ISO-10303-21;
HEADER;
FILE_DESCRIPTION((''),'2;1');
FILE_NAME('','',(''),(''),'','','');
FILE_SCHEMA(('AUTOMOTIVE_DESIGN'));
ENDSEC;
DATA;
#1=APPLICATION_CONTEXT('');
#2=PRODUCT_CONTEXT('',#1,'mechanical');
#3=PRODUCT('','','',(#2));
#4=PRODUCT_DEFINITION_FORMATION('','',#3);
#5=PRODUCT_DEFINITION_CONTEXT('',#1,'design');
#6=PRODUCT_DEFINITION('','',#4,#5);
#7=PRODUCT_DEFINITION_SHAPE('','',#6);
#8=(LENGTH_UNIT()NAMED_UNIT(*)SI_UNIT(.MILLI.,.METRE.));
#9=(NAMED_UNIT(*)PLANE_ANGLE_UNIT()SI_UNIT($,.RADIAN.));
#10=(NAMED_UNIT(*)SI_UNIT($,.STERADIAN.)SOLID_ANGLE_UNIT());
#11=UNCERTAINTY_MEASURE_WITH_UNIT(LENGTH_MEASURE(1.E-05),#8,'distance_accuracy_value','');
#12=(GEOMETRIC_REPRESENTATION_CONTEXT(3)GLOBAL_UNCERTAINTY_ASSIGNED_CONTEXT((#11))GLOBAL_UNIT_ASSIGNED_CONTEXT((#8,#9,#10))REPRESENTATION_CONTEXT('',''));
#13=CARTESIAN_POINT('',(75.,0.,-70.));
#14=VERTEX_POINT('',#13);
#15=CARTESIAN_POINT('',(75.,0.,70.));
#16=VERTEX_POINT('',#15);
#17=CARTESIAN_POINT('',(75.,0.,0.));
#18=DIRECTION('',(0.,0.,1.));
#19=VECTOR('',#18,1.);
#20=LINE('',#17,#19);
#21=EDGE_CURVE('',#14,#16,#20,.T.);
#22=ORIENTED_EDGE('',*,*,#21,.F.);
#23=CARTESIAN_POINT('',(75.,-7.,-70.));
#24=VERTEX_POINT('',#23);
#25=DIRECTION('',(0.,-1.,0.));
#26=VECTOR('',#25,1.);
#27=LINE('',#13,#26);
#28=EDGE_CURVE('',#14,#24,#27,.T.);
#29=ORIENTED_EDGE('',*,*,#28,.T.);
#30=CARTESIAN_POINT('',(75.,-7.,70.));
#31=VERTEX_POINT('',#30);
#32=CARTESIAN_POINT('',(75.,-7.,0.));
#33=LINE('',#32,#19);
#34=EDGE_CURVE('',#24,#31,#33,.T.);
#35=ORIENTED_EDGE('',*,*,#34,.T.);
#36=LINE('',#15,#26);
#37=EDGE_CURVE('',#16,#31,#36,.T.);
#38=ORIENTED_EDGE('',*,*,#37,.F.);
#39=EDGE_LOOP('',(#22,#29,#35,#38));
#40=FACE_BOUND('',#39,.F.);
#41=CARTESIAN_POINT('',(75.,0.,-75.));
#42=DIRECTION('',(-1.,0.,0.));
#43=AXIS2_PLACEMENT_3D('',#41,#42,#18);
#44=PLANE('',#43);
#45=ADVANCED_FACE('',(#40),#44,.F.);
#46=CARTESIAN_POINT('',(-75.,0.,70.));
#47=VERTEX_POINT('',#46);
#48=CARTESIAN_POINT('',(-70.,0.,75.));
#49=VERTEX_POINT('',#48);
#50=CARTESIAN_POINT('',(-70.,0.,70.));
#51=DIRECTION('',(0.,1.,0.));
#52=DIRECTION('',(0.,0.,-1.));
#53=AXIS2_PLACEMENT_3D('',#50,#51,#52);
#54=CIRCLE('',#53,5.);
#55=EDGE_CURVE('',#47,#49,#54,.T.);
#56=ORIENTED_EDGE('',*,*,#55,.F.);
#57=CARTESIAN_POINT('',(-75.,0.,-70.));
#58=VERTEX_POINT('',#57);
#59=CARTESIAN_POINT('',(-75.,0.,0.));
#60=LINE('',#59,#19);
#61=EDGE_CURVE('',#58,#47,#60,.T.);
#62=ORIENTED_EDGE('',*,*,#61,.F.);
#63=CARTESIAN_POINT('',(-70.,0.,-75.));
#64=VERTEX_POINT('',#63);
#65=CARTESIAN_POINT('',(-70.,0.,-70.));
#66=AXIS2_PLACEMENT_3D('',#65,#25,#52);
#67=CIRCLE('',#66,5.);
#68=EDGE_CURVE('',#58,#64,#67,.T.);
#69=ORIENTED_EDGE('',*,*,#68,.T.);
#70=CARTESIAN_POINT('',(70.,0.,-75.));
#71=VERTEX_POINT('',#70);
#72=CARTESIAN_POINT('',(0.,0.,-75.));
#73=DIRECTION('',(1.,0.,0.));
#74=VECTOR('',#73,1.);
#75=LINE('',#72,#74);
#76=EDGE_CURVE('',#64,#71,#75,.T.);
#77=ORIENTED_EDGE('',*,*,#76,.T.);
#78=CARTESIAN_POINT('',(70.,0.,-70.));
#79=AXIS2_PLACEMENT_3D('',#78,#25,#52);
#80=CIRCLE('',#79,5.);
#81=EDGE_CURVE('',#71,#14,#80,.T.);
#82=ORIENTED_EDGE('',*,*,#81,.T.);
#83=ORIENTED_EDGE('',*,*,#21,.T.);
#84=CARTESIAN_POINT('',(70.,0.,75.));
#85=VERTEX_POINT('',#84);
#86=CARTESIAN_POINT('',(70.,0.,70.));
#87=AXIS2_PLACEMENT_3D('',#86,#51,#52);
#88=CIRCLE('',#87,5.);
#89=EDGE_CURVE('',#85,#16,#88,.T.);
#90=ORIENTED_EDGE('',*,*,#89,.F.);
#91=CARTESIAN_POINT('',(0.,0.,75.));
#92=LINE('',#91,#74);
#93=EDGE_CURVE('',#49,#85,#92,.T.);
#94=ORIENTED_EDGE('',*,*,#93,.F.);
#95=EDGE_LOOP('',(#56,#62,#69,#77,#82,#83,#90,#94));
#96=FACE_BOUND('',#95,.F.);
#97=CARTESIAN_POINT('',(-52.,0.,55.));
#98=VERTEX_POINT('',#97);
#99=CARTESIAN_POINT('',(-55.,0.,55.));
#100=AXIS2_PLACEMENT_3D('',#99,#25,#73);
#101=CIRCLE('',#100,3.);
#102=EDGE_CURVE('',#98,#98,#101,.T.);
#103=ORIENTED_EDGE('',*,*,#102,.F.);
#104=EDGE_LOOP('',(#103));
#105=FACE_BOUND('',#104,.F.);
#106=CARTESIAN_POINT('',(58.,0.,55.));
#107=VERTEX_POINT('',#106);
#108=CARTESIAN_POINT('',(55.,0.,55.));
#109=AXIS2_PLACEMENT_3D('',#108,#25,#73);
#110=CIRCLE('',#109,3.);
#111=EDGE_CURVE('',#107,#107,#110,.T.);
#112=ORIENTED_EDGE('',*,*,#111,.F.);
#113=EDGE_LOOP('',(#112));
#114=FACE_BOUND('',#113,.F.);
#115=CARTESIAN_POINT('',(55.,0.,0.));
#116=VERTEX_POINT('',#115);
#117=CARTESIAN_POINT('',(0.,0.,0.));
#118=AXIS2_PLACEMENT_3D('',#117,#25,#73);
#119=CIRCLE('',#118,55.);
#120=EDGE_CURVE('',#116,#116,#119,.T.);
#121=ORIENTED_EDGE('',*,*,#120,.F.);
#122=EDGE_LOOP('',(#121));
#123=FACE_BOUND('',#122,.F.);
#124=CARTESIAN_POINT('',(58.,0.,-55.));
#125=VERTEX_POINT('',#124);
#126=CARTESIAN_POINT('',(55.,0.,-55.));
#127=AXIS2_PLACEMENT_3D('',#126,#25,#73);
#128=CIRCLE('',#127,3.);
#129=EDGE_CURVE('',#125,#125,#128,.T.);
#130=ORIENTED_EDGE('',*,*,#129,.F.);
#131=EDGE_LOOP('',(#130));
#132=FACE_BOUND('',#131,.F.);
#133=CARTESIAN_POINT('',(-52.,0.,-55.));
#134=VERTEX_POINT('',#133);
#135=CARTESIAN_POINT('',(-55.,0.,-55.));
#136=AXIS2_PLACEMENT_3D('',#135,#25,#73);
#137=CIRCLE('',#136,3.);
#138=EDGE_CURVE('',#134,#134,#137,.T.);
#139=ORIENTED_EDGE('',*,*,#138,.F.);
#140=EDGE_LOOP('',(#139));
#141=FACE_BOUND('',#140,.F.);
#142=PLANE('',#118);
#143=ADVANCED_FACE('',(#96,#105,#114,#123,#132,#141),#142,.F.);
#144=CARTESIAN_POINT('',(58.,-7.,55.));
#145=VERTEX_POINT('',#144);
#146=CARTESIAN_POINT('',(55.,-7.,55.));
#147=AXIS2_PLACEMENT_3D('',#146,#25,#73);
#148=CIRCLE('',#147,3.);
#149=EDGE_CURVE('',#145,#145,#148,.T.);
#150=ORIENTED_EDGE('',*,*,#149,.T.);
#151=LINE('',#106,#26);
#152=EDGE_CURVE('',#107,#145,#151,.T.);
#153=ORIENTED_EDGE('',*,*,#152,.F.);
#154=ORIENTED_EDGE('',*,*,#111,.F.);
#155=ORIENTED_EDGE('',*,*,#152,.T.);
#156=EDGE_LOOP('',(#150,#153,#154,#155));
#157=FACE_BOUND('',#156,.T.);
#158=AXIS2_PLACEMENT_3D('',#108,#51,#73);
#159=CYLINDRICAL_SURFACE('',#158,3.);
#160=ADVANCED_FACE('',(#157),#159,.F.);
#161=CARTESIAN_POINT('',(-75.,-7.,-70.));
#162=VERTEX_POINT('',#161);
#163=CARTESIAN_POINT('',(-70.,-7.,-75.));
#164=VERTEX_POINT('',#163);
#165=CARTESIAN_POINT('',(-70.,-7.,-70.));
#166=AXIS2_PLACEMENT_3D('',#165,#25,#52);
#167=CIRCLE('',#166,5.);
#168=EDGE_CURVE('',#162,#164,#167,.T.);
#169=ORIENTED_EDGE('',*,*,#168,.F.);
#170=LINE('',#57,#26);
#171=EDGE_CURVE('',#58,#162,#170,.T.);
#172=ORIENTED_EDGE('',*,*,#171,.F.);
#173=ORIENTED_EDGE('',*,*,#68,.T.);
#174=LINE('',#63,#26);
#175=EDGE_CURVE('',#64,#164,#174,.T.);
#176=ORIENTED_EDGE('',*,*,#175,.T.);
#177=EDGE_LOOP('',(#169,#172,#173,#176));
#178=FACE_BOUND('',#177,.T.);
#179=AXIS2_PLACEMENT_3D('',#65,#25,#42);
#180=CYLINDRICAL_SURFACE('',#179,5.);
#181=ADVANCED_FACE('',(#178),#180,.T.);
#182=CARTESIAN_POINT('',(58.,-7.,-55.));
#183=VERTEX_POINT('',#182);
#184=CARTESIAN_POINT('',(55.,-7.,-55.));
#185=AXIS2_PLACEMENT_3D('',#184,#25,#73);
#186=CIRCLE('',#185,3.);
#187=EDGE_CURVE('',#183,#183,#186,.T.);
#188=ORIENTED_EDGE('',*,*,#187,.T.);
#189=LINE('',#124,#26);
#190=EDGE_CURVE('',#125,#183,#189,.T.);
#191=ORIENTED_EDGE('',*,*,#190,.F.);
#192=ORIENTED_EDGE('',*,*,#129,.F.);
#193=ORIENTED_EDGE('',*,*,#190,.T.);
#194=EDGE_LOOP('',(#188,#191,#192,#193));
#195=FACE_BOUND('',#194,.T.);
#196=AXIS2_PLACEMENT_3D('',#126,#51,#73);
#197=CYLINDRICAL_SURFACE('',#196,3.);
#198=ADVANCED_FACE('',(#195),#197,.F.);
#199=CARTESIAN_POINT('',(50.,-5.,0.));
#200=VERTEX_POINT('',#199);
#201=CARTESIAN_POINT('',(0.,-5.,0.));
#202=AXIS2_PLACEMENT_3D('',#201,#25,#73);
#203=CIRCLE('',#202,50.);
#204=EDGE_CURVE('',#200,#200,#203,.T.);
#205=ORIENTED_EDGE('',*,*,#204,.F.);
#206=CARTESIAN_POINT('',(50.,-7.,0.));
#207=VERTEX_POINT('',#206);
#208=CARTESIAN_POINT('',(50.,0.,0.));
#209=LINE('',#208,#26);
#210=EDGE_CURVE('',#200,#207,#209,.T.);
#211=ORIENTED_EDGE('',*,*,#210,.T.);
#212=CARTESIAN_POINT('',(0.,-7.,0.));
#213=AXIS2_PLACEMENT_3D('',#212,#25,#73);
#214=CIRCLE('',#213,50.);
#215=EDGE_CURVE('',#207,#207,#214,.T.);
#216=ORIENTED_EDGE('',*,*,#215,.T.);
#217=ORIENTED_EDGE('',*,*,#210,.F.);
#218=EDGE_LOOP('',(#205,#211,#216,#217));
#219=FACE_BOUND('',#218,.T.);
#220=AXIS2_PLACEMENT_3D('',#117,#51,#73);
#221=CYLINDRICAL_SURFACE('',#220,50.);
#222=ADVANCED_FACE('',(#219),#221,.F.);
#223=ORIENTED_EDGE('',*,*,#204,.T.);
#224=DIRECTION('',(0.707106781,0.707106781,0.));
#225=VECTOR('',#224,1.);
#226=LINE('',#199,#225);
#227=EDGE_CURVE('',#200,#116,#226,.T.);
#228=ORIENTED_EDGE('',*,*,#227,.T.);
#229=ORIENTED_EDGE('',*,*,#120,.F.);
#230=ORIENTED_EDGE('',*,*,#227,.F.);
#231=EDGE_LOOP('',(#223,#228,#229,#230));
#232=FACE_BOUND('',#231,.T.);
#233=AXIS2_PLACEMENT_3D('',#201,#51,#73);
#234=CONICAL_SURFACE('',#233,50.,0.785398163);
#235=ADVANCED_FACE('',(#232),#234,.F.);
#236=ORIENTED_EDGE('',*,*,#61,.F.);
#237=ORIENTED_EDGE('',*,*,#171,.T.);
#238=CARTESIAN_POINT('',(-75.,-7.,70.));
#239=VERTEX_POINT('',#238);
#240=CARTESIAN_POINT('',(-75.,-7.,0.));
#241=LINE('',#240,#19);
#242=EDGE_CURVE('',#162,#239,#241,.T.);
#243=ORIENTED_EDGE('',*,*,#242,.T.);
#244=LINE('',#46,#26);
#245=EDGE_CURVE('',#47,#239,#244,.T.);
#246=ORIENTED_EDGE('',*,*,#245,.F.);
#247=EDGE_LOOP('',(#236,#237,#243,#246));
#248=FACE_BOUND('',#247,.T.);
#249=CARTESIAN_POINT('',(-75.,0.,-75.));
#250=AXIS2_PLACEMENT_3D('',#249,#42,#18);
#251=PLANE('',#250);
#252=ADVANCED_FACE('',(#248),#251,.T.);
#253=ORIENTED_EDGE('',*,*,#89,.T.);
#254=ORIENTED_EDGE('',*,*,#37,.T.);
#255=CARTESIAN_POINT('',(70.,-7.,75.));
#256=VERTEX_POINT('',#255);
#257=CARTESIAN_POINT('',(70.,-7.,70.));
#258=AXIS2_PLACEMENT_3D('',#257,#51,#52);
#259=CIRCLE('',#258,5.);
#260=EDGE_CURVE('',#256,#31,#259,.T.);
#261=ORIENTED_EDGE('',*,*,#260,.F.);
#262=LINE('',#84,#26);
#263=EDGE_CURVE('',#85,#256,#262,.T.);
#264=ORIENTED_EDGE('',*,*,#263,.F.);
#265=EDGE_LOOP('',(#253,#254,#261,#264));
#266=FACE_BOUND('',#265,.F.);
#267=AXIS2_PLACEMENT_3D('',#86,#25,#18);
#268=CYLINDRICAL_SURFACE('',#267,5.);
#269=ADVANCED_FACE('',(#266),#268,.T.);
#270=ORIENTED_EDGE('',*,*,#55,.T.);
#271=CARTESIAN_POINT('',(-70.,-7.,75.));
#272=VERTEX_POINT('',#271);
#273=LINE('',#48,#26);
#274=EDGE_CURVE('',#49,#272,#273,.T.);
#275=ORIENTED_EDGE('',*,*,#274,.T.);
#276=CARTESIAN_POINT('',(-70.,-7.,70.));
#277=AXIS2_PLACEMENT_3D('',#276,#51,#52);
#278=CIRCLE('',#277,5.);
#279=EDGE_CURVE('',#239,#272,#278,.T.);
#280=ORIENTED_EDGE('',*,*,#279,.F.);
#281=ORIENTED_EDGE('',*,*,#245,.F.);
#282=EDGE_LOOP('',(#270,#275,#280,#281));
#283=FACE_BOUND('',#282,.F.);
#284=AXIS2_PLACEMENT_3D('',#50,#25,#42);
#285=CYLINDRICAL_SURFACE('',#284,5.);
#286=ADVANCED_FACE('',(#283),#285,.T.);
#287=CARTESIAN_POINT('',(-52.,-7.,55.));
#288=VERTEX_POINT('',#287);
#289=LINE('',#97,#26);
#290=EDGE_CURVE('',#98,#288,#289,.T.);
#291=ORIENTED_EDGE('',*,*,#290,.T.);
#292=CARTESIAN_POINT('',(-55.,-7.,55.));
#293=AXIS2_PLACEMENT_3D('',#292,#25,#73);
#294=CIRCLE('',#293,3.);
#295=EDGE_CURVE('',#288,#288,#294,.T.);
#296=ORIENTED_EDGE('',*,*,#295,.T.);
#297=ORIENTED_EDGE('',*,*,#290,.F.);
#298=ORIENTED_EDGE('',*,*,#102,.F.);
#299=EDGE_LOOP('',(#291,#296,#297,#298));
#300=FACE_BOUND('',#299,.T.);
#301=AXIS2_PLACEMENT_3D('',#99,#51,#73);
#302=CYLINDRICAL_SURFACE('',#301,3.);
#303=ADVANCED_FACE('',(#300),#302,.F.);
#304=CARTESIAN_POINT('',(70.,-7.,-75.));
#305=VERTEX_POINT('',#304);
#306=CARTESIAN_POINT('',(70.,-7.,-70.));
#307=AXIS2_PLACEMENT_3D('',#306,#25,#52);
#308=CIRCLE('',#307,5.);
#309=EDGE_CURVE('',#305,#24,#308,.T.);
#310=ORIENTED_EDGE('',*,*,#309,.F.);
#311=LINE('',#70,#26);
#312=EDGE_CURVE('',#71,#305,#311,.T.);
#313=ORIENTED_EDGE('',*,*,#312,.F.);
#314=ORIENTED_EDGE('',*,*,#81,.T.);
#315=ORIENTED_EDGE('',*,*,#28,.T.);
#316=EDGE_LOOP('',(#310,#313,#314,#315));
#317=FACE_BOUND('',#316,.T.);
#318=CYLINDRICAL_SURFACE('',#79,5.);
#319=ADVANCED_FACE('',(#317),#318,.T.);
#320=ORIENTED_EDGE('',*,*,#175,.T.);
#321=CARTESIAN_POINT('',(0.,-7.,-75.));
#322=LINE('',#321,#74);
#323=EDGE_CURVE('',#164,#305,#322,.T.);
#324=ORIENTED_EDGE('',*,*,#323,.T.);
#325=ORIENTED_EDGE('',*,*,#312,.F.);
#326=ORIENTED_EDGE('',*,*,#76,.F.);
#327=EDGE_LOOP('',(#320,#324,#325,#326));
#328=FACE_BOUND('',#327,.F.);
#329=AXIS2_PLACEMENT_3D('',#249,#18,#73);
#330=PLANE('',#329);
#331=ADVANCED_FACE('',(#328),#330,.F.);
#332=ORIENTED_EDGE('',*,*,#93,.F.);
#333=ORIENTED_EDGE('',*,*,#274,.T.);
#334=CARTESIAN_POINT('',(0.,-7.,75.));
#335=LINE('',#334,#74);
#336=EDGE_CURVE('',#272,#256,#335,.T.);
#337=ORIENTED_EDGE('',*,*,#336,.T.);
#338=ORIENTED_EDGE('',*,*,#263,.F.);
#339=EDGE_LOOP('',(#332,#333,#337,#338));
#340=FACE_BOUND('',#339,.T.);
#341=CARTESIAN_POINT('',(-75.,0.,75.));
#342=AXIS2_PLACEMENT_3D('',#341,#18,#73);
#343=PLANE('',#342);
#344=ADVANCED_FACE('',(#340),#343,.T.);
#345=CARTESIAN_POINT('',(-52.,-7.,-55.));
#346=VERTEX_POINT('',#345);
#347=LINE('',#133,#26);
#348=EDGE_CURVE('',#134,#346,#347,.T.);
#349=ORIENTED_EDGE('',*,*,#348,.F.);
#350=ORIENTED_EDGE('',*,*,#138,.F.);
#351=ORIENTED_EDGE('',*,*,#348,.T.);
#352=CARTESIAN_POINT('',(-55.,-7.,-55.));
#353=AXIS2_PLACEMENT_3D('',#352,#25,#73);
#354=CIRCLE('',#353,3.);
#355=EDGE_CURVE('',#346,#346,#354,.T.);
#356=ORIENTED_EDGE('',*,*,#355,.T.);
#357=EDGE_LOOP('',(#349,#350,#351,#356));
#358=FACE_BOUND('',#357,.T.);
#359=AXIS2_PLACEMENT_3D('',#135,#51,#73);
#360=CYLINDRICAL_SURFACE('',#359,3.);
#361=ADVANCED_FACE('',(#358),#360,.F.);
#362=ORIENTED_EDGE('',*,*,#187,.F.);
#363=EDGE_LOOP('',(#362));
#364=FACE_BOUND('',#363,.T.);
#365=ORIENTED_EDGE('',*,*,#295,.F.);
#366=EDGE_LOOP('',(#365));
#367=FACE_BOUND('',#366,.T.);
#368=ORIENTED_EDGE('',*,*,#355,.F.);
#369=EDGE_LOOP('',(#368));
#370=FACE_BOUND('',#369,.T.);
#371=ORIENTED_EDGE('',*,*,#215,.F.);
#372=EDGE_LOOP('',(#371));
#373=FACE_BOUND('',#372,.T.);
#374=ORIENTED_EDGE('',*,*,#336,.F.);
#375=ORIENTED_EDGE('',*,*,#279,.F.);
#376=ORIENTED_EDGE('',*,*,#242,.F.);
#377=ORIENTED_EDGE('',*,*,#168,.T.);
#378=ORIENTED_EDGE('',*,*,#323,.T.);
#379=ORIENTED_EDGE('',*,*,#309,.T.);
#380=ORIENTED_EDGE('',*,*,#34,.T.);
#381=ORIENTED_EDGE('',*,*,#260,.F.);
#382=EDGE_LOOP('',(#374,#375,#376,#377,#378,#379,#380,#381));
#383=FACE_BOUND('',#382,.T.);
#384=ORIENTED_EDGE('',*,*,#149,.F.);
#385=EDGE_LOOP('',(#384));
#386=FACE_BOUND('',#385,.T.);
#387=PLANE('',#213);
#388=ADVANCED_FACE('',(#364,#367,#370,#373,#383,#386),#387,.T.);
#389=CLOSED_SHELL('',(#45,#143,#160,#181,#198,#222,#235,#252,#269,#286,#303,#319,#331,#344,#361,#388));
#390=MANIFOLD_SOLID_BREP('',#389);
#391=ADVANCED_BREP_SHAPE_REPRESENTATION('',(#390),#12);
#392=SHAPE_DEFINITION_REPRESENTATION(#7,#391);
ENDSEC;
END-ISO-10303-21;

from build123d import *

# Parameters (mm, degrees)
F0_W     = 150
F0_H     = 150
F0_R     = 3
F0_R_2   = 50
F1_DEPTH = 7
F2_SIZE2 = 5
F2_SIZE  = 5
F3_R     = 5


with BuildPart() as f1:
    # F0 (on Front) → F1 (new body)
    with BuildSketch(Plane.XZ):
        Rectangle(F0_W, F0_H)
        with Locations((-55, -55)):
            Circle(F0_R, mode=Mode.SUBTRACT)
        with Locations((55, -55)):
            Circle(F0_R, mode=Mode.SUBTRACT)
        with Locations((-55, 55)):
            Circle(F0_R, mode=Mode.SUBTRACT)
        Circle(F0_R_2, mode=Mode.SUBTRACT)
        with Locations((55, 55)):
            Circle(F0_R, mode=Mode.SUBTRACT)
    extrude(amount=F1_DEPTH)

    # F2
    f2_edges = [f1.edges().sort_by_distance(p)[0] for p in [
        (-50, 0, 0),
    ]]
    chamfer(f2_edges, length=F2_SIZE, length2=F2_SIZE2)

    # F3
    f3_edges = [f1.edges().sort_by_distance(p)[0] for p in [
        (75, -3.5, 75),
        (-75, -3.5, 75),
        (-75, -3.5, -75),
        (75, -3.5, -75),
    ]]
    fillet(f3_edges, radius=F3_R)


solid = f1.part
